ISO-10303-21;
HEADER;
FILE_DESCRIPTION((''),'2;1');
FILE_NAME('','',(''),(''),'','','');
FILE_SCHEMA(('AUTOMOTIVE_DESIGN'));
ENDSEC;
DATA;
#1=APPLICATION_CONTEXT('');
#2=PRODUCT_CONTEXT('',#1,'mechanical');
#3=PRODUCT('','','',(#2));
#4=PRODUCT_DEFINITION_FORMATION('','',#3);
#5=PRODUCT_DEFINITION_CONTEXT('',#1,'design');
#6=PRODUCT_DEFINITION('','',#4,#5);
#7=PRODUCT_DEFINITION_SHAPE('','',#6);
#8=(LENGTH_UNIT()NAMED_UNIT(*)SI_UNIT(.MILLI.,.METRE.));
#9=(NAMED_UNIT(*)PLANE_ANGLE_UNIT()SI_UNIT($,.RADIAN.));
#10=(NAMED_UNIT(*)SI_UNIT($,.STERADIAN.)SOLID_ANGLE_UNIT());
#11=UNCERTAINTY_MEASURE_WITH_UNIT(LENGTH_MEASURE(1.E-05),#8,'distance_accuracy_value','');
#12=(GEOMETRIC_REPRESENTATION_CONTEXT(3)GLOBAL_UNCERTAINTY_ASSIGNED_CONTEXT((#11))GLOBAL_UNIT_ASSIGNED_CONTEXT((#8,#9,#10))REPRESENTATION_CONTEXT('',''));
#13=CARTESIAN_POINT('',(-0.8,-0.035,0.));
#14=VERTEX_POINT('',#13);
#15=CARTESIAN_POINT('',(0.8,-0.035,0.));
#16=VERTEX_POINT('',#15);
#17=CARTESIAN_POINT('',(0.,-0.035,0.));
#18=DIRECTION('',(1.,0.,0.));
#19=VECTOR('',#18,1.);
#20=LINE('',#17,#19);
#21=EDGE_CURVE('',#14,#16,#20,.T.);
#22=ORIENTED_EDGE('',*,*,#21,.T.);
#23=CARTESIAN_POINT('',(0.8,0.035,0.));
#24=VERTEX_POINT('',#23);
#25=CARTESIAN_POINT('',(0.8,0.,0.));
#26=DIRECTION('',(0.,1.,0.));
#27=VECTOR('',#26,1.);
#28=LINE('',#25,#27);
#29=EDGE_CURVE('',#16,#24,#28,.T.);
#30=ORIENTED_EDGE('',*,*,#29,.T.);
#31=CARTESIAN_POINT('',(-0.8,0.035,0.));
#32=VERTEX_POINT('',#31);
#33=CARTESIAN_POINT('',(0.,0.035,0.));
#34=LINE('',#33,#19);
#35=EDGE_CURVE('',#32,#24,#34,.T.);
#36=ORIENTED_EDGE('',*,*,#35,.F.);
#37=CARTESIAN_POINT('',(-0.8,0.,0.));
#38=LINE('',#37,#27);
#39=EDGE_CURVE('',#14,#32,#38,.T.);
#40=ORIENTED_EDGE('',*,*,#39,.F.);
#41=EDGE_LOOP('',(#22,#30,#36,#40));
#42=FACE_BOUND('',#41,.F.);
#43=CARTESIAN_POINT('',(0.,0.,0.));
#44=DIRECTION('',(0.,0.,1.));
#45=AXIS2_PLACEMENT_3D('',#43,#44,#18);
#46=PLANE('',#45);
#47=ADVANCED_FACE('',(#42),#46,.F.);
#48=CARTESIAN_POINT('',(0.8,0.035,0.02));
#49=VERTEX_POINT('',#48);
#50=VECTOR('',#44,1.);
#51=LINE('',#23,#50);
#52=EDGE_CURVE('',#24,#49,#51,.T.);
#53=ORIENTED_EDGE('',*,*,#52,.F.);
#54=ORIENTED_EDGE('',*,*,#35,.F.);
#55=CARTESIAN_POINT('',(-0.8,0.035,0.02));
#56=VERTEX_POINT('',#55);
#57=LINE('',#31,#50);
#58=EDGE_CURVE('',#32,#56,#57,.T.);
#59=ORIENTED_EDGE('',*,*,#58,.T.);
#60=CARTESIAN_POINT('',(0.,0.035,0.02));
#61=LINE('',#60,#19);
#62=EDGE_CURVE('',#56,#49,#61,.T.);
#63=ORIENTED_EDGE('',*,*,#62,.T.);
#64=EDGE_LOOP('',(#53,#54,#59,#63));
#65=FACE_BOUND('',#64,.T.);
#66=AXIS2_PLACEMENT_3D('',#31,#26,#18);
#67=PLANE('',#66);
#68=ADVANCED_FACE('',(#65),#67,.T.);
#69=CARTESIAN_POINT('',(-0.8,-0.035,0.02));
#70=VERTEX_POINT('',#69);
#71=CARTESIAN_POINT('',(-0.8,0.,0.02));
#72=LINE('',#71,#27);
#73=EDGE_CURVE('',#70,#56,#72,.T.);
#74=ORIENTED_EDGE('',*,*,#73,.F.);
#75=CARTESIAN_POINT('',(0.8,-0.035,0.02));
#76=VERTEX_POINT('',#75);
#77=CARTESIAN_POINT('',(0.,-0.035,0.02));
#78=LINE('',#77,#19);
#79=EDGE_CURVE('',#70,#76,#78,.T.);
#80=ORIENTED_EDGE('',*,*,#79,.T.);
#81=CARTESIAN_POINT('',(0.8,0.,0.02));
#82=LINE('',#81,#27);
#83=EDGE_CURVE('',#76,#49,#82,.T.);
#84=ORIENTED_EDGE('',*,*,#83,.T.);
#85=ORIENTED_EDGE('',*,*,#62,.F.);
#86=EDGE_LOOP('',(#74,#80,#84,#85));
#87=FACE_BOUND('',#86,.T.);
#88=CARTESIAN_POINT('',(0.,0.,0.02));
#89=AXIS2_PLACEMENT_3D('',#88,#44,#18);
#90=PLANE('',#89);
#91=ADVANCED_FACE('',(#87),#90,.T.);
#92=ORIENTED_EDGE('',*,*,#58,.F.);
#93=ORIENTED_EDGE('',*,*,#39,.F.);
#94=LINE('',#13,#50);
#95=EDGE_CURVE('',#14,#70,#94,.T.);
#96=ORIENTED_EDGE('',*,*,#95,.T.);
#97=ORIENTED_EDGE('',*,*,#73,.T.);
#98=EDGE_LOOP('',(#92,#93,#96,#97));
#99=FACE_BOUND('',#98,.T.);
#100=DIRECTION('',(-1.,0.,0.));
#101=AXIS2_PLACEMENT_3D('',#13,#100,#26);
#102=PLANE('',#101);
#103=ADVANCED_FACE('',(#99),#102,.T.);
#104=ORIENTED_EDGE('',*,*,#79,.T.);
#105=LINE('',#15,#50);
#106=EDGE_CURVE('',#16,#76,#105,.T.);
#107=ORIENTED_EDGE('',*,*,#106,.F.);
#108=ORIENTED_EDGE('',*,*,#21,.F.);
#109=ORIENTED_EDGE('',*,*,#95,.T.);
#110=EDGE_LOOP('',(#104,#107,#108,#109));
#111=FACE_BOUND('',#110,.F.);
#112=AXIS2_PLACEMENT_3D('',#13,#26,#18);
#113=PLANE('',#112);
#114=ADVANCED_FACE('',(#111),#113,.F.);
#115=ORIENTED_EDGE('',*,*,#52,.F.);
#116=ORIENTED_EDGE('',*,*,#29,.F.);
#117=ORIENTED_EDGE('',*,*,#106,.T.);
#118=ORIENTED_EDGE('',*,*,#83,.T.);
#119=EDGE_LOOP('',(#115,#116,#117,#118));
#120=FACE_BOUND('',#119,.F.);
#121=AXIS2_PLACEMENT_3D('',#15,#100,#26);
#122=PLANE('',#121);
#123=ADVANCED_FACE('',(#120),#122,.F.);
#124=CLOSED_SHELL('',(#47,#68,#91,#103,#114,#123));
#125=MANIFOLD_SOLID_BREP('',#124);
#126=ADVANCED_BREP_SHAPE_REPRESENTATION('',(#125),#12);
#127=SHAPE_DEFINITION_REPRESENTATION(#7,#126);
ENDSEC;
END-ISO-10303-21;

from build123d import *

# Parameters (mm, degrees)
SKETCH_W  = 1.6
SKETCH_H  = 0.07
PAD_DEPTH = 0.02


with BuildPart() as part:
    # Sketch → Pad (new body)
    with BuildSketch(Plane.XY):
        Rectangle(SKETCH_W, SKETCH_H)
    extrude(amount=PAD_DEPTH)


solid = part.part
